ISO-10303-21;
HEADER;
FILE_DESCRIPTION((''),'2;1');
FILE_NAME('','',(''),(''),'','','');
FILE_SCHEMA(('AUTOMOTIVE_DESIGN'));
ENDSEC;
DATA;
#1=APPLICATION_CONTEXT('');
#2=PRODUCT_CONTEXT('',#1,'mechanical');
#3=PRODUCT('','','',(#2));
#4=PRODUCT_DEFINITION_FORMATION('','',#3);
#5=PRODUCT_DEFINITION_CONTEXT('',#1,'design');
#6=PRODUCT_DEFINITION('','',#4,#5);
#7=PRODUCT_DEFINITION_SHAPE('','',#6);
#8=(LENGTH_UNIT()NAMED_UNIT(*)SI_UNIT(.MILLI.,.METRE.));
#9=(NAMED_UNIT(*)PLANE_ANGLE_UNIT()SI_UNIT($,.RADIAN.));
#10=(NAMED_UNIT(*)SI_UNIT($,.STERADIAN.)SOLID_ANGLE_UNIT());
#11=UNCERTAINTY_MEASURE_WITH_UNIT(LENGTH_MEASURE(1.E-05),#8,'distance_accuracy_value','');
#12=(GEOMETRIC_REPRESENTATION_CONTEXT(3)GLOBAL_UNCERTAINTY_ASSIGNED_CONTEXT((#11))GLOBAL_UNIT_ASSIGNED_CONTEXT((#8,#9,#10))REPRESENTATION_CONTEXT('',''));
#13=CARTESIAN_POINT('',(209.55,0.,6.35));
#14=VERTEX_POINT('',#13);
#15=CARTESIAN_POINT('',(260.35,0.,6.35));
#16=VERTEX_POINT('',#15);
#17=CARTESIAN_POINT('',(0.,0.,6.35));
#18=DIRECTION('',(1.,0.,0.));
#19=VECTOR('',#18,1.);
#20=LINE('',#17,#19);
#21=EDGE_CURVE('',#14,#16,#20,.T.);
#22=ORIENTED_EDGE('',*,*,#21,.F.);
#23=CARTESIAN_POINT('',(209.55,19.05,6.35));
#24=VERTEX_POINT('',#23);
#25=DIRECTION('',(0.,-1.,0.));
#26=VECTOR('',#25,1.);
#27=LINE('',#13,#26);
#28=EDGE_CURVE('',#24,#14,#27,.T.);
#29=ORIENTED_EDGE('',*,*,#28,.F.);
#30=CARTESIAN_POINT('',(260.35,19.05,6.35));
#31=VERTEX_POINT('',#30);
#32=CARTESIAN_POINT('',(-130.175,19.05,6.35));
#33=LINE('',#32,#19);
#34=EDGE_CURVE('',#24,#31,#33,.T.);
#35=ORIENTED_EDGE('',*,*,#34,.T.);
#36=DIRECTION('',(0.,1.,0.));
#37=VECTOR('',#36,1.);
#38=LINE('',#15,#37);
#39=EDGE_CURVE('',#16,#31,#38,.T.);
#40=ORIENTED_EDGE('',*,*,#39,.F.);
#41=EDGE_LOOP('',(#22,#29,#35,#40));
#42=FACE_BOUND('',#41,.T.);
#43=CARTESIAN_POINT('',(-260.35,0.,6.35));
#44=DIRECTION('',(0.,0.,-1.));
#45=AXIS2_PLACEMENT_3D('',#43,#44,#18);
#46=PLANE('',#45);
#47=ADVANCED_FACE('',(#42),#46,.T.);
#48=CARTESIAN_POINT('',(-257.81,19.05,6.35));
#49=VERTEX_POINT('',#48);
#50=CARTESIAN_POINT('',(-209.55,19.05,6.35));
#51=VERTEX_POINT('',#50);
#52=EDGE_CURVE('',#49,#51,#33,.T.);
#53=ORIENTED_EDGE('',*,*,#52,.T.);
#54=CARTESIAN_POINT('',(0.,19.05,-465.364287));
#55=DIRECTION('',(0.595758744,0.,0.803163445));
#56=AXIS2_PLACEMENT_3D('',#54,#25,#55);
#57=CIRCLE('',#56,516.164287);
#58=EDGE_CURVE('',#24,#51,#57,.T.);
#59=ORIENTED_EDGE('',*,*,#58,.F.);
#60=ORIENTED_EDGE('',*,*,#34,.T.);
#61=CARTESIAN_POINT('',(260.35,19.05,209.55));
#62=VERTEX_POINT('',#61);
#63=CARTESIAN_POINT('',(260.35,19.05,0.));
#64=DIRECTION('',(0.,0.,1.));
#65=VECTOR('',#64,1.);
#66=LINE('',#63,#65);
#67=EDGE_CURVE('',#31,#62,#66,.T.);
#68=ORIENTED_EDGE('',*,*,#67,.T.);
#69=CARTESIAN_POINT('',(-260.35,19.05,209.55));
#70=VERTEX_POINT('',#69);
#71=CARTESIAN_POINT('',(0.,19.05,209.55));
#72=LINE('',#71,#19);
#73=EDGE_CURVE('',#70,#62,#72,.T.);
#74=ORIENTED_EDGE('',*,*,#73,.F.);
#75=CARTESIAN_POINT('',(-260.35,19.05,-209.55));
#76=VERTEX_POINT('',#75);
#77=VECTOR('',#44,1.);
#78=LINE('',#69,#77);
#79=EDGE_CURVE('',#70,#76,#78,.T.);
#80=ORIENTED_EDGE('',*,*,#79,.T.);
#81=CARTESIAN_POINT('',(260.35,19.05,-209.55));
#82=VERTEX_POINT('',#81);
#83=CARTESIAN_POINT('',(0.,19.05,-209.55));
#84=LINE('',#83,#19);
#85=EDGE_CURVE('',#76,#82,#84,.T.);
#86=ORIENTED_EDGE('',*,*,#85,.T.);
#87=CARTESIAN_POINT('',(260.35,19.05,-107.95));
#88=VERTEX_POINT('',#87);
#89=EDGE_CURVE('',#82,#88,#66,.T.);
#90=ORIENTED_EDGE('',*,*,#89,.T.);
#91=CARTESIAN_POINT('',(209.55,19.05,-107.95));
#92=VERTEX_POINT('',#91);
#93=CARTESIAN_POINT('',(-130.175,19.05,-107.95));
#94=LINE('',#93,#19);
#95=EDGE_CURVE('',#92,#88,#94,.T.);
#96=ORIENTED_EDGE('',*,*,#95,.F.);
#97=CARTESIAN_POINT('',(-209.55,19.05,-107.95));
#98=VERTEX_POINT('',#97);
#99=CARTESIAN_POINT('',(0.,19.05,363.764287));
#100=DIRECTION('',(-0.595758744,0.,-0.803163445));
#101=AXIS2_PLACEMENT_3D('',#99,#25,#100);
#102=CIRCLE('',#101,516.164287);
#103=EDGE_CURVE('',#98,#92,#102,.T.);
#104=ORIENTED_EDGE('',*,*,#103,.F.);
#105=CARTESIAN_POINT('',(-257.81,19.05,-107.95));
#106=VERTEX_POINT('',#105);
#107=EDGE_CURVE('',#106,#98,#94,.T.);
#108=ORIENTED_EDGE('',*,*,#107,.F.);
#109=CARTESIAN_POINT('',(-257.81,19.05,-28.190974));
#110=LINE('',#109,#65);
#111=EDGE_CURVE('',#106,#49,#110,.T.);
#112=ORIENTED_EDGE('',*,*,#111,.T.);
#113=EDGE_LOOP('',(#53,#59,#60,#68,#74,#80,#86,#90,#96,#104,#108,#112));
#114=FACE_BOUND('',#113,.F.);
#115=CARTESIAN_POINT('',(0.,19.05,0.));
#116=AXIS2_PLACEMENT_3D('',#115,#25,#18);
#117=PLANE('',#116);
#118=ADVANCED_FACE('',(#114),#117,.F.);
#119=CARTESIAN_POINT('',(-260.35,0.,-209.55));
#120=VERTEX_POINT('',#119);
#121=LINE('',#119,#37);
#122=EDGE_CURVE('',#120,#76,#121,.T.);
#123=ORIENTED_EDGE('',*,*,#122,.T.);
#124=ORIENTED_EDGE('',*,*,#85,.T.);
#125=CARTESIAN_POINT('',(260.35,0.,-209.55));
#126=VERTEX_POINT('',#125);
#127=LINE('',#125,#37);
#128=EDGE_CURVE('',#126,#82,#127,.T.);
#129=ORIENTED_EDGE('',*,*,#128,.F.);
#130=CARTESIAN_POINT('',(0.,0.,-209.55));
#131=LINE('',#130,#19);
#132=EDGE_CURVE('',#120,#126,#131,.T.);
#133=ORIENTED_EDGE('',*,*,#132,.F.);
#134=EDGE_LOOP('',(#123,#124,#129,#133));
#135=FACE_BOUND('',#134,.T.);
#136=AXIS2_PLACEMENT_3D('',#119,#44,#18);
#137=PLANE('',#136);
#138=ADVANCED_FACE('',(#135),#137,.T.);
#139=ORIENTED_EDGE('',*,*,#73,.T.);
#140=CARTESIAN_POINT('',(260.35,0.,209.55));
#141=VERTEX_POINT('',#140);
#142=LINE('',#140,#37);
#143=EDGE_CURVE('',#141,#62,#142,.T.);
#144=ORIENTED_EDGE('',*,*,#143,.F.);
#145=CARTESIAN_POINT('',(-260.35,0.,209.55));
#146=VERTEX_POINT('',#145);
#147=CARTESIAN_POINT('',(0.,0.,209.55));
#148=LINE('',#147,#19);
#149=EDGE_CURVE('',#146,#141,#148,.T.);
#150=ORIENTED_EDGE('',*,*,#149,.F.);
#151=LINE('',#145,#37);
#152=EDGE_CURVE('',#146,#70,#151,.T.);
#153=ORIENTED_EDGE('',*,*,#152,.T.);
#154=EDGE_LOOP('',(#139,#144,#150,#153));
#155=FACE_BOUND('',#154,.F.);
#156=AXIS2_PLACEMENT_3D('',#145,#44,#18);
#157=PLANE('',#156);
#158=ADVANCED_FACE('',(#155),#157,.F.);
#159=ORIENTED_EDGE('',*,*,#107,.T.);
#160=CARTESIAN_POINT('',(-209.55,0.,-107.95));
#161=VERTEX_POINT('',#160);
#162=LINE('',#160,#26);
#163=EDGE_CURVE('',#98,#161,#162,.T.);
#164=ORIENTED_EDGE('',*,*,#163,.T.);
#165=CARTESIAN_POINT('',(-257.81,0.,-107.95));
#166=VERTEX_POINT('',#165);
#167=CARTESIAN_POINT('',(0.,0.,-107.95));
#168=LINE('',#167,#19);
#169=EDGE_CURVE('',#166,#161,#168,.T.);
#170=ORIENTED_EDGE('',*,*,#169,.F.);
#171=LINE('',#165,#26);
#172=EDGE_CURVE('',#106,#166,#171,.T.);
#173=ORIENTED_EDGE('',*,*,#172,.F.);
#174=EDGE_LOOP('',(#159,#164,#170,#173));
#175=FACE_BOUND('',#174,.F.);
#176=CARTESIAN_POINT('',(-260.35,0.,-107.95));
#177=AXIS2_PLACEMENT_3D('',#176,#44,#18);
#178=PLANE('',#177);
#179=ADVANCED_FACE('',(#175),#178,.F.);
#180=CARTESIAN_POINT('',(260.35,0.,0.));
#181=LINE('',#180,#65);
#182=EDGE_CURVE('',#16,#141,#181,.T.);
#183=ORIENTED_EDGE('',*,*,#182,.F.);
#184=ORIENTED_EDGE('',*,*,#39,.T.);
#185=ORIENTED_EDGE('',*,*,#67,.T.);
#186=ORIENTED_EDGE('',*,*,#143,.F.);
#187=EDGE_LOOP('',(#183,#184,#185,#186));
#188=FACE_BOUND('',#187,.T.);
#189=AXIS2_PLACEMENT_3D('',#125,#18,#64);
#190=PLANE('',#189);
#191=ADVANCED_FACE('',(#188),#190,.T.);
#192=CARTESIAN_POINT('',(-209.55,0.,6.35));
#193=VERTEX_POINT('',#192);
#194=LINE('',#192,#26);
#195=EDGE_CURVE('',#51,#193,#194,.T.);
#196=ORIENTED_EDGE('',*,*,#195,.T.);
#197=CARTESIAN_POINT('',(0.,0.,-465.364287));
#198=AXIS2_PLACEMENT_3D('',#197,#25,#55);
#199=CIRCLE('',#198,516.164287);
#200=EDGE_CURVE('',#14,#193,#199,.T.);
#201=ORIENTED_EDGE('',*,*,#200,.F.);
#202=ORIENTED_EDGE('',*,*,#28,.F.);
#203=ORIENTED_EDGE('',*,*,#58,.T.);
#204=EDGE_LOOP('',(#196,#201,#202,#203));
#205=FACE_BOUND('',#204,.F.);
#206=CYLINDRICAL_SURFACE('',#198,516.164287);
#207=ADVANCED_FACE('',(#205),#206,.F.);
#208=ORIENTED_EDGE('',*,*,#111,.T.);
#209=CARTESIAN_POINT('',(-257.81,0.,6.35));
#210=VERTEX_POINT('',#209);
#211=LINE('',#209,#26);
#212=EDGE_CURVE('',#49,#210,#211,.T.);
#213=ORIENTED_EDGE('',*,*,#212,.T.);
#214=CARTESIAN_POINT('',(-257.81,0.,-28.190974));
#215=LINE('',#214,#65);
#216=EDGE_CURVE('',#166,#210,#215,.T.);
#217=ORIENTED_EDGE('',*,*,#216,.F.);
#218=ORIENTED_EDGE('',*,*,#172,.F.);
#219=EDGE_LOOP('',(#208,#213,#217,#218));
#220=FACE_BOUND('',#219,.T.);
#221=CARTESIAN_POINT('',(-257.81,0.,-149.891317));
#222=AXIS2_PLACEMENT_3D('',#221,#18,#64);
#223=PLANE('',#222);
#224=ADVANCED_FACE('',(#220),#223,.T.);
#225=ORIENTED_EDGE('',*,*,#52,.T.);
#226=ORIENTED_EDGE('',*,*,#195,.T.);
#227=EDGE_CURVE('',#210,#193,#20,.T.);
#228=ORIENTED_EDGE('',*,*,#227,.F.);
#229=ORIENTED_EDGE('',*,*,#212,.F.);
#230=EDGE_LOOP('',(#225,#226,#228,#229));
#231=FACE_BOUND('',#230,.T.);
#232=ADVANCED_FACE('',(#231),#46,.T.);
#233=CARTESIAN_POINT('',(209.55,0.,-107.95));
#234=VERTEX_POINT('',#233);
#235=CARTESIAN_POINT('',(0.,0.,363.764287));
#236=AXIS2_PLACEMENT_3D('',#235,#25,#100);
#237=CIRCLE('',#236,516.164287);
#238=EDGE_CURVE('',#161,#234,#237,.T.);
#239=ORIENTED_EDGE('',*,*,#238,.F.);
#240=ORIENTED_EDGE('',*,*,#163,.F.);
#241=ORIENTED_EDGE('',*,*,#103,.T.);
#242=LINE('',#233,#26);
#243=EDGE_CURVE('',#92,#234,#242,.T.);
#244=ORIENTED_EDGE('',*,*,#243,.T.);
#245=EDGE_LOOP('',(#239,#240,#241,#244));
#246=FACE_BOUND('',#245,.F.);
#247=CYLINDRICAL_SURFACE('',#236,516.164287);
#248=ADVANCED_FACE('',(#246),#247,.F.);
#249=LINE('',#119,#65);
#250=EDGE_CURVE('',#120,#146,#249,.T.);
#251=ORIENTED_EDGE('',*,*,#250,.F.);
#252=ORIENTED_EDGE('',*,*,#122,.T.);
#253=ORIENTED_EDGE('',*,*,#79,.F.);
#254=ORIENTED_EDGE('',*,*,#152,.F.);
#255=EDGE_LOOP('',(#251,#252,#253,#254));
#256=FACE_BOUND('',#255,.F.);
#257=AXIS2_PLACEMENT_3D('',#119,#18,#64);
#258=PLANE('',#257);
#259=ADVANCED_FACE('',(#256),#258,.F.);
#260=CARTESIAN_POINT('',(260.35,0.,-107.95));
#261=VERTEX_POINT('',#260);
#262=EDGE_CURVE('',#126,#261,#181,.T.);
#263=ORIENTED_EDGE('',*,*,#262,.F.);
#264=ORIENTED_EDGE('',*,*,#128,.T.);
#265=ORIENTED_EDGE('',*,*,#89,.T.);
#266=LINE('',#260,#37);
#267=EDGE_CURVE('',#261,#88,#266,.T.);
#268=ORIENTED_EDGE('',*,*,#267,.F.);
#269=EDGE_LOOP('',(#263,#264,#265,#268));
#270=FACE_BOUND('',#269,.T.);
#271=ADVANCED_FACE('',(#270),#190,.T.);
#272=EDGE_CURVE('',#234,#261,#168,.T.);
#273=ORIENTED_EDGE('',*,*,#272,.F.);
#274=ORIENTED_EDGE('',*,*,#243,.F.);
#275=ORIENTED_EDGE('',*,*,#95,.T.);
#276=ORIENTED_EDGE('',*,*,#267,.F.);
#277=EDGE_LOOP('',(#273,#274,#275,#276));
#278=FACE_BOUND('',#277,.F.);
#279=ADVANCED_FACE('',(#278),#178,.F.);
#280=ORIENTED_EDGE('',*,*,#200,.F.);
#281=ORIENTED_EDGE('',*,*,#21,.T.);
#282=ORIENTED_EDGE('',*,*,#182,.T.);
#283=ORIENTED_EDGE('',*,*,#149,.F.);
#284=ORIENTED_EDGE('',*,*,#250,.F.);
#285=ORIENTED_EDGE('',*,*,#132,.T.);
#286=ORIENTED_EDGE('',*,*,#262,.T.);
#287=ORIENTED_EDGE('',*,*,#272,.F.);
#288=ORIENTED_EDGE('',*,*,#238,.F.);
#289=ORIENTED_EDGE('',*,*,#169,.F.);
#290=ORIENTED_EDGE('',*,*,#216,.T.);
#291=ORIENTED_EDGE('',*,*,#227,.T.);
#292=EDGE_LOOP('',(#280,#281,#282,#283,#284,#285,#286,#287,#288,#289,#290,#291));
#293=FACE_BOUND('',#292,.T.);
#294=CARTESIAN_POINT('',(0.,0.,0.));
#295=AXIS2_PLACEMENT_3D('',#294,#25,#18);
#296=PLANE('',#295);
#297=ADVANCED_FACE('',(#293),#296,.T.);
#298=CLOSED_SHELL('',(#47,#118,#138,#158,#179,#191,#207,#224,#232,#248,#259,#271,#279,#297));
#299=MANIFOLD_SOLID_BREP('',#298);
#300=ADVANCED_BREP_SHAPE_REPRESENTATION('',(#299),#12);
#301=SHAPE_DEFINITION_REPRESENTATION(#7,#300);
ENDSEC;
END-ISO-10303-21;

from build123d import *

# Parameters (mm, degrees)
F0_W     = 520.7
F0_H     = 419.1
F1_DEPTH = 19.05
F3_W     = 520.7
F3_H     = 114.3
F4_DEPTH = 25.4
F6_DEPTH = 25.4
F7_W     = 2.54
F7_H     = 243.400686
F8_DEPTH = 19.05


with BuildPart() as f1:
    # F0 (on Front) → F1 (new body)
    with BuildSketch(Plane.XZ):
        Rectangle(F0_W, F0_H)
    extrude(amount=-F1_DEPTH)

    # F3 (on face) → F4 (cut)
    with BuildSketch(Plane.XZ):
        with Locations((0, -50.8)):
            Rectangle(F3_W, F3_H)
    extrude(amount=-F4_DEPTH, mode=Mode.SUBTRACT)

    # F5 (on face) → F6 (cut)
    with BuildSketch(Plane.XZ):
        with BuildLine():
            ThreePointArc((-307.509387, -50.8), (0, -152.4), (307.509387, -50.8))
            ThreePointArc((307.509387, -50.8), (0, 50.8), (-307.509387, -50.8))
        make_face()
    extrude(amount=-F6_DEPTH, mode=Mode.SUBTRACT)

    # F7 (on face) → F8 (join, through all)
    with BuildSketch(Plane.XZ):
        with Locations((-259.08, -28.190974)):
            Rectangle(F7_W, F7_H)
    extrude(amount=-F8_DEPTH)


solid = f1.part
